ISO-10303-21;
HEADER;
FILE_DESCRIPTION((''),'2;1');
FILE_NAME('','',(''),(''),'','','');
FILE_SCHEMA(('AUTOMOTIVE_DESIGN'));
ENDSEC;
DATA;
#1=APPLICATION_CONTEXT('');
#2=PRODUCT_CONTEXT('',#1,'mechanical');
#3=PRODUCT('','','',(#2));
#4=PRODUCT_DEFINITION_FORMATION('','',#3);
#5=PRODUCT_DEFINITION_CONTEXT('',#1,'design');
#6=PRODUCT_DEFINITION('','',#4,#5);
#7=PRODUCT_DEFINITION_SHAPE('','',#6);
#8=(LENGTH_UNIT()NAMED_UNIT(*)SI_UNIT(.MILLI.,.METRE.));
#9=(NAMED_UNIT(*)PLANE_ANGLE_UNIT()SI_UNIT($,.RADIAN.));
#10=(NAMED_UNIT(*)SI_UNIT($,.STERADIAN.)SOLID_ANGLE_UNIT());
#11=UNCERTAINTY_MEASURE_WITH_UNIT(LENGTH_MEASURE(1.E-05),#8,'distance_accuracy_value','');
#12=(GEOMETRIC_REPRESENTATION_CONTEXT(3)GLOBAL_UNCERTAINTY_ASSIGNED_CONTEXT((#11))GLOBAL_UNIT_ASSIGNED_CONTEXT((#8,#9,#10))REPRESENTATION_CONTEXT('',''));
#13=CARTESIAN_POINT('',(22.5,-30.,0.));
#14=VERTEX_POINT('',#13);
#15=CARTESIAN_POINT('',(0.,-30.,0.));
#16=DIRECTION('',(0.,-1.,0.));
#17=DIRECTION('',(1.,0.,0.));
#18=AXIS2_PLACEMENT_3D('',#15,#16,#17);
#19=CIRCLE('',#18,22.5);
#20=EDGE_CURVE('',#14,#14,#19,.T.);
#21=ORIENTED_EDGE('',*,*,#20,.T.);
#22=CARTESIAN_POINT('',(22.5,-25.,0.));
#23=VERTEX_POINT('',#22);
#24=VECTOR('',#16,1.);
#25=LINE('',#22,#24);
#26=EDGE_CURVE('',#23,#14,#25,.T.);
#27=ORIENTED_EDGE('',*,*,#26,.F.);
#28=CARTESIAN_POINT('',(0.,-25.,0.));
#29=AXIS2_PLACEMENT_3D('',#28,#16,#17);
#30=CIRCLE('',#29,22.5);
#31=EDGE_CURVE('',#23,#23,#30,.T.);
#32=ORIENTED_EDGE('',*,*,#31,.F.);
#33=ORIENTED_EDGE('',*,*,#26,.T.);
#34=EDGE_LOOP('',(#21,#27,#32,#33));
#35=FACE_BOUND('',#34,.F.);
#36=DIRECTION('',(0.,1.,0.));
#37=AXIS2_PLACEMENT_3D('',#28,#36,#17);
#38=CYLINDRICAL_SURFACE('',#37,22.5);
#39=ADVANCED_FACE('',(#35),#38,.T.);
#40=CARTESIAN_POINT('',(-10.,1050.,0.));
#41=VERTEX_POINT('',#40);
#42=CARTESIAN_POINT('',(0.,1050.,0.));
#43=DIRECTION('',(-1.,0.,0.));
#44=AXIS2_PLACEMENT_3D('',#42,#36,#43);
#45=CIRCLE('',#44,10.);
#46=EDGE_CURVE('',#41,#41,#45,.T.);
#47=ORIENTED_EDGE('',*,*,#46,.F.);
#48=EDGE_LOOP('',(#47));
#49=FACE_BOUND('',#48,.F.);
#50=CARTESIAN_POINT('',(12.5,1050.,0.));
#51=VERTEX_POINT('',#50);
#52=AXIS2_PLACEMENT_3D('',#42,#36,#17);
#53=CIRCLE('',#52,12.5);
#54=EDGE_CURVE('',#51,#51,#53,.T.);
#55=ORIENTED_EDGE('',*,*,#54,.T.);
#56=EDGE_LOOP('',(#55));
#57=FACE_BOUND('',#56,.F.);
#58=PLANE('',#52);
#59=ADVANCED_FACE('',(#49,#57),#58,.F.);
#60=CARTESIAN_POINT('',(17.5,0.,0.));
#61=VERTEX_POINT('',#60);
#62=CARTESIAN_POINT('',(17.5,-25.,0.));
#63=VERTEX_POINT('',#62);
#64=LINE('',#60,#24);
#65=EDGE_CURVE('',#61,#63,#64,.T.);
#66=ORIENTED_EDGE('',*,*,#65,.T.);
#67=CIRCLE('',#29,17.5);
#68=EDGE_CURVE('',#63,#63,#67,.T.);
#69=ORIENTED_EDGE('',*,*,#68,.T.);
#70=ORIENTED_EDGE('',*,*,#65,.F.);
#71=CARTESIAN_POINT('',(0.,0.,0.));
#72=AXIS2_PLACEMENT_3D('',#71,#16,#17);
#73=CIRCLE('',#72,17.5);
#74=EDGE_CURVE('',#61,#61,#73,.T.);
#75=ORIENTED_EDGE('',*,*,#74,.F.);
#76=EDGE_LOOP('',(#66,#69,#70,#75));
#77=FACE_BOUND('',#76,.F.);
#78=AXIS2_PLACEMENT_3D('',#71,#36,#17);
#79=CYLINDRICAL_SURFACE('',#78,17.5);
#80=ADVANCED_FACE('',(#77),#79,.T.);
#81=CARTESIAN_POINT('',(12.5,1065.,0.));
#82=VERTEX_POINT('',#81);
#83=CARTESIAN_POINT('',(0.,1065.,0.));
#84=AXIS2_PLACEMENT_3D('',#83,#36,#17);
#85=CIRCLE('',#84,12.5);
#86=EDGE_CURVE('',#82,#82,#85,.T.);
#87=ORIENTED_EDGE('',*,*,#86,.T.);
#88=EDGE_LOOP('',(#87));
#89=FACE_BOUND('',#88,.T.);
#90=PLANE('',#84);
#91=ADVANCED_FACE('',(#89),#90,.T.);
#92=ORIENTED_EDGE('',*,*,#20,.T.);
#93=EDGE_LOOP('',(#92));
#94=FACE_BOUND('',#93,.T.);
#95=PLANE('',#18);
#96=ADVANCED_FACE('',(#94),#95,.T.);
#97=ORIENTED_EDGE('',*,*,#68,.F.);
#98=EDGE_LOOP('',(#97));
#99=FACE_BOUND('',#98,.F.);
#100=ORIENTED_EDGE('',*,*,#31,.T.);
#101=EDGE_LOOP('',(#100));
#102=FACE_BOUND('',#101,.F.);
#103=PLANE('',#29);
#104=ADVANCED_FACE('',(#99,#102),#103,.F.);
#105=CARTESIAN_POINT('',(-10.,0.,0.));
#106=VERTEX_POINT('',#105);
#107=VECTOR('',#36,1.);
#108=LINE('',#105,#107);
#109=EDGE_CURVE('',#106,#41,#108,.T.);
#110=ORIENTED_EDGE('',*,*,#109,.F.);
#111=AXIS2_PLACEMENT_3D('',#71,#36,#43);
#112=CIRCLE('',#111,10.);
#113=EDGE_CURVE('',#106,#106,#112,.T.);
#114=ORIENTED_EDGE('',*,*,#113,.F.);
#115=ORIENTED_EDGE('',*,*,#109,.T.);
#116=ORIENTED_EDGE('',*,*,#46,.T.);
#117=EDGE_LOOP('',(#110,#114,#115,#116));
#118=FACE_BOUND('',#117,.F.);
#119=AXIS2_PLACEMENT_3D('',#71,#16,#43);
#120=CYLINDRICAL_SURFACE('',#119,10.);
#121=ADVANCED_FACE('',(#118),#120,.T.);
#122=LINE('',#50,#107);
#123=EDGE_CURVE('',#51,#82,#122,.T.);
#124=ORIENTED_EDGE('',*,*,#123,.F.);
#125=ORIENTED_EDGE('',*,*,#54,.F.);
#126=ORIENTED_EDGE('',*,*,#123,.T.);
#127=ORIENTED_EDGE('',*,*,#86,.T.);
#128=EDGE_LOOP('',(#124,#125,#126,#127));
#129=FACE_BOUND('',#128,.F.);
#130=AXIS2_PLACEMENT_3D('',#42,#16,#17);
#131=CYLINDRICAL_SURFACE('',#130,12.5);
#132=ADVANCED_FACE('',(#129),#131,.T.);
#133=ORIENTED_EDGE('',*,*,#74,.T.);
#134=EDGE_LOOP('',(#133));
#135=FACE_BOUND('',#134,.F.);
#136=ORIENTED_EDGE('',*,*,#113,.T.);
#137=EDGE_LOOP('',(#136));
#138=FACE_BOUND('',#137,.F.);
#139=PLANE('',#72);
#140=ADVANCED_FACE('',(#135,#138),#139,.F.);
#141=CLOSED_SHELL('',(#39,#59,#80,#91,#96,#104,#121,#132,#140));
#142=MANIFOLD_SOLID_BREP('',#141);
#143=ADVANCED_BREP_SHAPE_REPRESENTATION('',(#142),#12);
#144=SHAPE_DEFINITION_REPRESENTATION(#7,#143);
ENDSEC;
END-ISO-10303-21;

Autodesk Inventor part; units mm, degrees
ref_plane "YZ Plane" through (0, 0, 0) normal (1, 0, 0) x (0, 1, 0)
ref_plane "XZ Plane" through (0, 0, 0) normal (0, 1, 0) x (-1, 0, 0)
ref_plane "XY Plane" through (0, 0, 0) normal (0, 0, 1) x (1, 0, 0)
sketch "Sketch1" plane through (0, 0, 0) normal (0, 1, 0) x (-1, 0, 0)
  circle A0 centre (0, 0) radius 10
  dimension "d0" = 20
extrude "Extrusion1" add sketch "Sketch1" along normal blind 1050
sketch "Sketch2" plane through (0, 0, 0) normal (0, -1, 0) x (1, 0, 0)
  circle A0 centre (0, 0) radius 10 projected
  circle A1 centre (0, 0) radius 17.5
  dimension "d3" = 35
extrude "Extrusion2" add sketch "Sketch2" along normal blind 25 contours A0 | A1
sketch "Sketch3" plane through (0, -25, 0) normal (0, -1, 0) x (1, 0, 0)
  circle A0 centre (0, 0) radius 22.5
  dimension "d6" = 45
extrude "Extrusion3" add sketch "Sketch3" along normal blind 5
sketch "Sketch4" plane through (0, 1050, 0) normal (0, 1, 0) x (1, 0, 0)
  circle A0 centre (0, 0) radius 12.5
  dimension "d9" = 25
extrude "Extrusion4" add sketch "Sketch4" along normal blind 15
properties part number "linear_rod"
